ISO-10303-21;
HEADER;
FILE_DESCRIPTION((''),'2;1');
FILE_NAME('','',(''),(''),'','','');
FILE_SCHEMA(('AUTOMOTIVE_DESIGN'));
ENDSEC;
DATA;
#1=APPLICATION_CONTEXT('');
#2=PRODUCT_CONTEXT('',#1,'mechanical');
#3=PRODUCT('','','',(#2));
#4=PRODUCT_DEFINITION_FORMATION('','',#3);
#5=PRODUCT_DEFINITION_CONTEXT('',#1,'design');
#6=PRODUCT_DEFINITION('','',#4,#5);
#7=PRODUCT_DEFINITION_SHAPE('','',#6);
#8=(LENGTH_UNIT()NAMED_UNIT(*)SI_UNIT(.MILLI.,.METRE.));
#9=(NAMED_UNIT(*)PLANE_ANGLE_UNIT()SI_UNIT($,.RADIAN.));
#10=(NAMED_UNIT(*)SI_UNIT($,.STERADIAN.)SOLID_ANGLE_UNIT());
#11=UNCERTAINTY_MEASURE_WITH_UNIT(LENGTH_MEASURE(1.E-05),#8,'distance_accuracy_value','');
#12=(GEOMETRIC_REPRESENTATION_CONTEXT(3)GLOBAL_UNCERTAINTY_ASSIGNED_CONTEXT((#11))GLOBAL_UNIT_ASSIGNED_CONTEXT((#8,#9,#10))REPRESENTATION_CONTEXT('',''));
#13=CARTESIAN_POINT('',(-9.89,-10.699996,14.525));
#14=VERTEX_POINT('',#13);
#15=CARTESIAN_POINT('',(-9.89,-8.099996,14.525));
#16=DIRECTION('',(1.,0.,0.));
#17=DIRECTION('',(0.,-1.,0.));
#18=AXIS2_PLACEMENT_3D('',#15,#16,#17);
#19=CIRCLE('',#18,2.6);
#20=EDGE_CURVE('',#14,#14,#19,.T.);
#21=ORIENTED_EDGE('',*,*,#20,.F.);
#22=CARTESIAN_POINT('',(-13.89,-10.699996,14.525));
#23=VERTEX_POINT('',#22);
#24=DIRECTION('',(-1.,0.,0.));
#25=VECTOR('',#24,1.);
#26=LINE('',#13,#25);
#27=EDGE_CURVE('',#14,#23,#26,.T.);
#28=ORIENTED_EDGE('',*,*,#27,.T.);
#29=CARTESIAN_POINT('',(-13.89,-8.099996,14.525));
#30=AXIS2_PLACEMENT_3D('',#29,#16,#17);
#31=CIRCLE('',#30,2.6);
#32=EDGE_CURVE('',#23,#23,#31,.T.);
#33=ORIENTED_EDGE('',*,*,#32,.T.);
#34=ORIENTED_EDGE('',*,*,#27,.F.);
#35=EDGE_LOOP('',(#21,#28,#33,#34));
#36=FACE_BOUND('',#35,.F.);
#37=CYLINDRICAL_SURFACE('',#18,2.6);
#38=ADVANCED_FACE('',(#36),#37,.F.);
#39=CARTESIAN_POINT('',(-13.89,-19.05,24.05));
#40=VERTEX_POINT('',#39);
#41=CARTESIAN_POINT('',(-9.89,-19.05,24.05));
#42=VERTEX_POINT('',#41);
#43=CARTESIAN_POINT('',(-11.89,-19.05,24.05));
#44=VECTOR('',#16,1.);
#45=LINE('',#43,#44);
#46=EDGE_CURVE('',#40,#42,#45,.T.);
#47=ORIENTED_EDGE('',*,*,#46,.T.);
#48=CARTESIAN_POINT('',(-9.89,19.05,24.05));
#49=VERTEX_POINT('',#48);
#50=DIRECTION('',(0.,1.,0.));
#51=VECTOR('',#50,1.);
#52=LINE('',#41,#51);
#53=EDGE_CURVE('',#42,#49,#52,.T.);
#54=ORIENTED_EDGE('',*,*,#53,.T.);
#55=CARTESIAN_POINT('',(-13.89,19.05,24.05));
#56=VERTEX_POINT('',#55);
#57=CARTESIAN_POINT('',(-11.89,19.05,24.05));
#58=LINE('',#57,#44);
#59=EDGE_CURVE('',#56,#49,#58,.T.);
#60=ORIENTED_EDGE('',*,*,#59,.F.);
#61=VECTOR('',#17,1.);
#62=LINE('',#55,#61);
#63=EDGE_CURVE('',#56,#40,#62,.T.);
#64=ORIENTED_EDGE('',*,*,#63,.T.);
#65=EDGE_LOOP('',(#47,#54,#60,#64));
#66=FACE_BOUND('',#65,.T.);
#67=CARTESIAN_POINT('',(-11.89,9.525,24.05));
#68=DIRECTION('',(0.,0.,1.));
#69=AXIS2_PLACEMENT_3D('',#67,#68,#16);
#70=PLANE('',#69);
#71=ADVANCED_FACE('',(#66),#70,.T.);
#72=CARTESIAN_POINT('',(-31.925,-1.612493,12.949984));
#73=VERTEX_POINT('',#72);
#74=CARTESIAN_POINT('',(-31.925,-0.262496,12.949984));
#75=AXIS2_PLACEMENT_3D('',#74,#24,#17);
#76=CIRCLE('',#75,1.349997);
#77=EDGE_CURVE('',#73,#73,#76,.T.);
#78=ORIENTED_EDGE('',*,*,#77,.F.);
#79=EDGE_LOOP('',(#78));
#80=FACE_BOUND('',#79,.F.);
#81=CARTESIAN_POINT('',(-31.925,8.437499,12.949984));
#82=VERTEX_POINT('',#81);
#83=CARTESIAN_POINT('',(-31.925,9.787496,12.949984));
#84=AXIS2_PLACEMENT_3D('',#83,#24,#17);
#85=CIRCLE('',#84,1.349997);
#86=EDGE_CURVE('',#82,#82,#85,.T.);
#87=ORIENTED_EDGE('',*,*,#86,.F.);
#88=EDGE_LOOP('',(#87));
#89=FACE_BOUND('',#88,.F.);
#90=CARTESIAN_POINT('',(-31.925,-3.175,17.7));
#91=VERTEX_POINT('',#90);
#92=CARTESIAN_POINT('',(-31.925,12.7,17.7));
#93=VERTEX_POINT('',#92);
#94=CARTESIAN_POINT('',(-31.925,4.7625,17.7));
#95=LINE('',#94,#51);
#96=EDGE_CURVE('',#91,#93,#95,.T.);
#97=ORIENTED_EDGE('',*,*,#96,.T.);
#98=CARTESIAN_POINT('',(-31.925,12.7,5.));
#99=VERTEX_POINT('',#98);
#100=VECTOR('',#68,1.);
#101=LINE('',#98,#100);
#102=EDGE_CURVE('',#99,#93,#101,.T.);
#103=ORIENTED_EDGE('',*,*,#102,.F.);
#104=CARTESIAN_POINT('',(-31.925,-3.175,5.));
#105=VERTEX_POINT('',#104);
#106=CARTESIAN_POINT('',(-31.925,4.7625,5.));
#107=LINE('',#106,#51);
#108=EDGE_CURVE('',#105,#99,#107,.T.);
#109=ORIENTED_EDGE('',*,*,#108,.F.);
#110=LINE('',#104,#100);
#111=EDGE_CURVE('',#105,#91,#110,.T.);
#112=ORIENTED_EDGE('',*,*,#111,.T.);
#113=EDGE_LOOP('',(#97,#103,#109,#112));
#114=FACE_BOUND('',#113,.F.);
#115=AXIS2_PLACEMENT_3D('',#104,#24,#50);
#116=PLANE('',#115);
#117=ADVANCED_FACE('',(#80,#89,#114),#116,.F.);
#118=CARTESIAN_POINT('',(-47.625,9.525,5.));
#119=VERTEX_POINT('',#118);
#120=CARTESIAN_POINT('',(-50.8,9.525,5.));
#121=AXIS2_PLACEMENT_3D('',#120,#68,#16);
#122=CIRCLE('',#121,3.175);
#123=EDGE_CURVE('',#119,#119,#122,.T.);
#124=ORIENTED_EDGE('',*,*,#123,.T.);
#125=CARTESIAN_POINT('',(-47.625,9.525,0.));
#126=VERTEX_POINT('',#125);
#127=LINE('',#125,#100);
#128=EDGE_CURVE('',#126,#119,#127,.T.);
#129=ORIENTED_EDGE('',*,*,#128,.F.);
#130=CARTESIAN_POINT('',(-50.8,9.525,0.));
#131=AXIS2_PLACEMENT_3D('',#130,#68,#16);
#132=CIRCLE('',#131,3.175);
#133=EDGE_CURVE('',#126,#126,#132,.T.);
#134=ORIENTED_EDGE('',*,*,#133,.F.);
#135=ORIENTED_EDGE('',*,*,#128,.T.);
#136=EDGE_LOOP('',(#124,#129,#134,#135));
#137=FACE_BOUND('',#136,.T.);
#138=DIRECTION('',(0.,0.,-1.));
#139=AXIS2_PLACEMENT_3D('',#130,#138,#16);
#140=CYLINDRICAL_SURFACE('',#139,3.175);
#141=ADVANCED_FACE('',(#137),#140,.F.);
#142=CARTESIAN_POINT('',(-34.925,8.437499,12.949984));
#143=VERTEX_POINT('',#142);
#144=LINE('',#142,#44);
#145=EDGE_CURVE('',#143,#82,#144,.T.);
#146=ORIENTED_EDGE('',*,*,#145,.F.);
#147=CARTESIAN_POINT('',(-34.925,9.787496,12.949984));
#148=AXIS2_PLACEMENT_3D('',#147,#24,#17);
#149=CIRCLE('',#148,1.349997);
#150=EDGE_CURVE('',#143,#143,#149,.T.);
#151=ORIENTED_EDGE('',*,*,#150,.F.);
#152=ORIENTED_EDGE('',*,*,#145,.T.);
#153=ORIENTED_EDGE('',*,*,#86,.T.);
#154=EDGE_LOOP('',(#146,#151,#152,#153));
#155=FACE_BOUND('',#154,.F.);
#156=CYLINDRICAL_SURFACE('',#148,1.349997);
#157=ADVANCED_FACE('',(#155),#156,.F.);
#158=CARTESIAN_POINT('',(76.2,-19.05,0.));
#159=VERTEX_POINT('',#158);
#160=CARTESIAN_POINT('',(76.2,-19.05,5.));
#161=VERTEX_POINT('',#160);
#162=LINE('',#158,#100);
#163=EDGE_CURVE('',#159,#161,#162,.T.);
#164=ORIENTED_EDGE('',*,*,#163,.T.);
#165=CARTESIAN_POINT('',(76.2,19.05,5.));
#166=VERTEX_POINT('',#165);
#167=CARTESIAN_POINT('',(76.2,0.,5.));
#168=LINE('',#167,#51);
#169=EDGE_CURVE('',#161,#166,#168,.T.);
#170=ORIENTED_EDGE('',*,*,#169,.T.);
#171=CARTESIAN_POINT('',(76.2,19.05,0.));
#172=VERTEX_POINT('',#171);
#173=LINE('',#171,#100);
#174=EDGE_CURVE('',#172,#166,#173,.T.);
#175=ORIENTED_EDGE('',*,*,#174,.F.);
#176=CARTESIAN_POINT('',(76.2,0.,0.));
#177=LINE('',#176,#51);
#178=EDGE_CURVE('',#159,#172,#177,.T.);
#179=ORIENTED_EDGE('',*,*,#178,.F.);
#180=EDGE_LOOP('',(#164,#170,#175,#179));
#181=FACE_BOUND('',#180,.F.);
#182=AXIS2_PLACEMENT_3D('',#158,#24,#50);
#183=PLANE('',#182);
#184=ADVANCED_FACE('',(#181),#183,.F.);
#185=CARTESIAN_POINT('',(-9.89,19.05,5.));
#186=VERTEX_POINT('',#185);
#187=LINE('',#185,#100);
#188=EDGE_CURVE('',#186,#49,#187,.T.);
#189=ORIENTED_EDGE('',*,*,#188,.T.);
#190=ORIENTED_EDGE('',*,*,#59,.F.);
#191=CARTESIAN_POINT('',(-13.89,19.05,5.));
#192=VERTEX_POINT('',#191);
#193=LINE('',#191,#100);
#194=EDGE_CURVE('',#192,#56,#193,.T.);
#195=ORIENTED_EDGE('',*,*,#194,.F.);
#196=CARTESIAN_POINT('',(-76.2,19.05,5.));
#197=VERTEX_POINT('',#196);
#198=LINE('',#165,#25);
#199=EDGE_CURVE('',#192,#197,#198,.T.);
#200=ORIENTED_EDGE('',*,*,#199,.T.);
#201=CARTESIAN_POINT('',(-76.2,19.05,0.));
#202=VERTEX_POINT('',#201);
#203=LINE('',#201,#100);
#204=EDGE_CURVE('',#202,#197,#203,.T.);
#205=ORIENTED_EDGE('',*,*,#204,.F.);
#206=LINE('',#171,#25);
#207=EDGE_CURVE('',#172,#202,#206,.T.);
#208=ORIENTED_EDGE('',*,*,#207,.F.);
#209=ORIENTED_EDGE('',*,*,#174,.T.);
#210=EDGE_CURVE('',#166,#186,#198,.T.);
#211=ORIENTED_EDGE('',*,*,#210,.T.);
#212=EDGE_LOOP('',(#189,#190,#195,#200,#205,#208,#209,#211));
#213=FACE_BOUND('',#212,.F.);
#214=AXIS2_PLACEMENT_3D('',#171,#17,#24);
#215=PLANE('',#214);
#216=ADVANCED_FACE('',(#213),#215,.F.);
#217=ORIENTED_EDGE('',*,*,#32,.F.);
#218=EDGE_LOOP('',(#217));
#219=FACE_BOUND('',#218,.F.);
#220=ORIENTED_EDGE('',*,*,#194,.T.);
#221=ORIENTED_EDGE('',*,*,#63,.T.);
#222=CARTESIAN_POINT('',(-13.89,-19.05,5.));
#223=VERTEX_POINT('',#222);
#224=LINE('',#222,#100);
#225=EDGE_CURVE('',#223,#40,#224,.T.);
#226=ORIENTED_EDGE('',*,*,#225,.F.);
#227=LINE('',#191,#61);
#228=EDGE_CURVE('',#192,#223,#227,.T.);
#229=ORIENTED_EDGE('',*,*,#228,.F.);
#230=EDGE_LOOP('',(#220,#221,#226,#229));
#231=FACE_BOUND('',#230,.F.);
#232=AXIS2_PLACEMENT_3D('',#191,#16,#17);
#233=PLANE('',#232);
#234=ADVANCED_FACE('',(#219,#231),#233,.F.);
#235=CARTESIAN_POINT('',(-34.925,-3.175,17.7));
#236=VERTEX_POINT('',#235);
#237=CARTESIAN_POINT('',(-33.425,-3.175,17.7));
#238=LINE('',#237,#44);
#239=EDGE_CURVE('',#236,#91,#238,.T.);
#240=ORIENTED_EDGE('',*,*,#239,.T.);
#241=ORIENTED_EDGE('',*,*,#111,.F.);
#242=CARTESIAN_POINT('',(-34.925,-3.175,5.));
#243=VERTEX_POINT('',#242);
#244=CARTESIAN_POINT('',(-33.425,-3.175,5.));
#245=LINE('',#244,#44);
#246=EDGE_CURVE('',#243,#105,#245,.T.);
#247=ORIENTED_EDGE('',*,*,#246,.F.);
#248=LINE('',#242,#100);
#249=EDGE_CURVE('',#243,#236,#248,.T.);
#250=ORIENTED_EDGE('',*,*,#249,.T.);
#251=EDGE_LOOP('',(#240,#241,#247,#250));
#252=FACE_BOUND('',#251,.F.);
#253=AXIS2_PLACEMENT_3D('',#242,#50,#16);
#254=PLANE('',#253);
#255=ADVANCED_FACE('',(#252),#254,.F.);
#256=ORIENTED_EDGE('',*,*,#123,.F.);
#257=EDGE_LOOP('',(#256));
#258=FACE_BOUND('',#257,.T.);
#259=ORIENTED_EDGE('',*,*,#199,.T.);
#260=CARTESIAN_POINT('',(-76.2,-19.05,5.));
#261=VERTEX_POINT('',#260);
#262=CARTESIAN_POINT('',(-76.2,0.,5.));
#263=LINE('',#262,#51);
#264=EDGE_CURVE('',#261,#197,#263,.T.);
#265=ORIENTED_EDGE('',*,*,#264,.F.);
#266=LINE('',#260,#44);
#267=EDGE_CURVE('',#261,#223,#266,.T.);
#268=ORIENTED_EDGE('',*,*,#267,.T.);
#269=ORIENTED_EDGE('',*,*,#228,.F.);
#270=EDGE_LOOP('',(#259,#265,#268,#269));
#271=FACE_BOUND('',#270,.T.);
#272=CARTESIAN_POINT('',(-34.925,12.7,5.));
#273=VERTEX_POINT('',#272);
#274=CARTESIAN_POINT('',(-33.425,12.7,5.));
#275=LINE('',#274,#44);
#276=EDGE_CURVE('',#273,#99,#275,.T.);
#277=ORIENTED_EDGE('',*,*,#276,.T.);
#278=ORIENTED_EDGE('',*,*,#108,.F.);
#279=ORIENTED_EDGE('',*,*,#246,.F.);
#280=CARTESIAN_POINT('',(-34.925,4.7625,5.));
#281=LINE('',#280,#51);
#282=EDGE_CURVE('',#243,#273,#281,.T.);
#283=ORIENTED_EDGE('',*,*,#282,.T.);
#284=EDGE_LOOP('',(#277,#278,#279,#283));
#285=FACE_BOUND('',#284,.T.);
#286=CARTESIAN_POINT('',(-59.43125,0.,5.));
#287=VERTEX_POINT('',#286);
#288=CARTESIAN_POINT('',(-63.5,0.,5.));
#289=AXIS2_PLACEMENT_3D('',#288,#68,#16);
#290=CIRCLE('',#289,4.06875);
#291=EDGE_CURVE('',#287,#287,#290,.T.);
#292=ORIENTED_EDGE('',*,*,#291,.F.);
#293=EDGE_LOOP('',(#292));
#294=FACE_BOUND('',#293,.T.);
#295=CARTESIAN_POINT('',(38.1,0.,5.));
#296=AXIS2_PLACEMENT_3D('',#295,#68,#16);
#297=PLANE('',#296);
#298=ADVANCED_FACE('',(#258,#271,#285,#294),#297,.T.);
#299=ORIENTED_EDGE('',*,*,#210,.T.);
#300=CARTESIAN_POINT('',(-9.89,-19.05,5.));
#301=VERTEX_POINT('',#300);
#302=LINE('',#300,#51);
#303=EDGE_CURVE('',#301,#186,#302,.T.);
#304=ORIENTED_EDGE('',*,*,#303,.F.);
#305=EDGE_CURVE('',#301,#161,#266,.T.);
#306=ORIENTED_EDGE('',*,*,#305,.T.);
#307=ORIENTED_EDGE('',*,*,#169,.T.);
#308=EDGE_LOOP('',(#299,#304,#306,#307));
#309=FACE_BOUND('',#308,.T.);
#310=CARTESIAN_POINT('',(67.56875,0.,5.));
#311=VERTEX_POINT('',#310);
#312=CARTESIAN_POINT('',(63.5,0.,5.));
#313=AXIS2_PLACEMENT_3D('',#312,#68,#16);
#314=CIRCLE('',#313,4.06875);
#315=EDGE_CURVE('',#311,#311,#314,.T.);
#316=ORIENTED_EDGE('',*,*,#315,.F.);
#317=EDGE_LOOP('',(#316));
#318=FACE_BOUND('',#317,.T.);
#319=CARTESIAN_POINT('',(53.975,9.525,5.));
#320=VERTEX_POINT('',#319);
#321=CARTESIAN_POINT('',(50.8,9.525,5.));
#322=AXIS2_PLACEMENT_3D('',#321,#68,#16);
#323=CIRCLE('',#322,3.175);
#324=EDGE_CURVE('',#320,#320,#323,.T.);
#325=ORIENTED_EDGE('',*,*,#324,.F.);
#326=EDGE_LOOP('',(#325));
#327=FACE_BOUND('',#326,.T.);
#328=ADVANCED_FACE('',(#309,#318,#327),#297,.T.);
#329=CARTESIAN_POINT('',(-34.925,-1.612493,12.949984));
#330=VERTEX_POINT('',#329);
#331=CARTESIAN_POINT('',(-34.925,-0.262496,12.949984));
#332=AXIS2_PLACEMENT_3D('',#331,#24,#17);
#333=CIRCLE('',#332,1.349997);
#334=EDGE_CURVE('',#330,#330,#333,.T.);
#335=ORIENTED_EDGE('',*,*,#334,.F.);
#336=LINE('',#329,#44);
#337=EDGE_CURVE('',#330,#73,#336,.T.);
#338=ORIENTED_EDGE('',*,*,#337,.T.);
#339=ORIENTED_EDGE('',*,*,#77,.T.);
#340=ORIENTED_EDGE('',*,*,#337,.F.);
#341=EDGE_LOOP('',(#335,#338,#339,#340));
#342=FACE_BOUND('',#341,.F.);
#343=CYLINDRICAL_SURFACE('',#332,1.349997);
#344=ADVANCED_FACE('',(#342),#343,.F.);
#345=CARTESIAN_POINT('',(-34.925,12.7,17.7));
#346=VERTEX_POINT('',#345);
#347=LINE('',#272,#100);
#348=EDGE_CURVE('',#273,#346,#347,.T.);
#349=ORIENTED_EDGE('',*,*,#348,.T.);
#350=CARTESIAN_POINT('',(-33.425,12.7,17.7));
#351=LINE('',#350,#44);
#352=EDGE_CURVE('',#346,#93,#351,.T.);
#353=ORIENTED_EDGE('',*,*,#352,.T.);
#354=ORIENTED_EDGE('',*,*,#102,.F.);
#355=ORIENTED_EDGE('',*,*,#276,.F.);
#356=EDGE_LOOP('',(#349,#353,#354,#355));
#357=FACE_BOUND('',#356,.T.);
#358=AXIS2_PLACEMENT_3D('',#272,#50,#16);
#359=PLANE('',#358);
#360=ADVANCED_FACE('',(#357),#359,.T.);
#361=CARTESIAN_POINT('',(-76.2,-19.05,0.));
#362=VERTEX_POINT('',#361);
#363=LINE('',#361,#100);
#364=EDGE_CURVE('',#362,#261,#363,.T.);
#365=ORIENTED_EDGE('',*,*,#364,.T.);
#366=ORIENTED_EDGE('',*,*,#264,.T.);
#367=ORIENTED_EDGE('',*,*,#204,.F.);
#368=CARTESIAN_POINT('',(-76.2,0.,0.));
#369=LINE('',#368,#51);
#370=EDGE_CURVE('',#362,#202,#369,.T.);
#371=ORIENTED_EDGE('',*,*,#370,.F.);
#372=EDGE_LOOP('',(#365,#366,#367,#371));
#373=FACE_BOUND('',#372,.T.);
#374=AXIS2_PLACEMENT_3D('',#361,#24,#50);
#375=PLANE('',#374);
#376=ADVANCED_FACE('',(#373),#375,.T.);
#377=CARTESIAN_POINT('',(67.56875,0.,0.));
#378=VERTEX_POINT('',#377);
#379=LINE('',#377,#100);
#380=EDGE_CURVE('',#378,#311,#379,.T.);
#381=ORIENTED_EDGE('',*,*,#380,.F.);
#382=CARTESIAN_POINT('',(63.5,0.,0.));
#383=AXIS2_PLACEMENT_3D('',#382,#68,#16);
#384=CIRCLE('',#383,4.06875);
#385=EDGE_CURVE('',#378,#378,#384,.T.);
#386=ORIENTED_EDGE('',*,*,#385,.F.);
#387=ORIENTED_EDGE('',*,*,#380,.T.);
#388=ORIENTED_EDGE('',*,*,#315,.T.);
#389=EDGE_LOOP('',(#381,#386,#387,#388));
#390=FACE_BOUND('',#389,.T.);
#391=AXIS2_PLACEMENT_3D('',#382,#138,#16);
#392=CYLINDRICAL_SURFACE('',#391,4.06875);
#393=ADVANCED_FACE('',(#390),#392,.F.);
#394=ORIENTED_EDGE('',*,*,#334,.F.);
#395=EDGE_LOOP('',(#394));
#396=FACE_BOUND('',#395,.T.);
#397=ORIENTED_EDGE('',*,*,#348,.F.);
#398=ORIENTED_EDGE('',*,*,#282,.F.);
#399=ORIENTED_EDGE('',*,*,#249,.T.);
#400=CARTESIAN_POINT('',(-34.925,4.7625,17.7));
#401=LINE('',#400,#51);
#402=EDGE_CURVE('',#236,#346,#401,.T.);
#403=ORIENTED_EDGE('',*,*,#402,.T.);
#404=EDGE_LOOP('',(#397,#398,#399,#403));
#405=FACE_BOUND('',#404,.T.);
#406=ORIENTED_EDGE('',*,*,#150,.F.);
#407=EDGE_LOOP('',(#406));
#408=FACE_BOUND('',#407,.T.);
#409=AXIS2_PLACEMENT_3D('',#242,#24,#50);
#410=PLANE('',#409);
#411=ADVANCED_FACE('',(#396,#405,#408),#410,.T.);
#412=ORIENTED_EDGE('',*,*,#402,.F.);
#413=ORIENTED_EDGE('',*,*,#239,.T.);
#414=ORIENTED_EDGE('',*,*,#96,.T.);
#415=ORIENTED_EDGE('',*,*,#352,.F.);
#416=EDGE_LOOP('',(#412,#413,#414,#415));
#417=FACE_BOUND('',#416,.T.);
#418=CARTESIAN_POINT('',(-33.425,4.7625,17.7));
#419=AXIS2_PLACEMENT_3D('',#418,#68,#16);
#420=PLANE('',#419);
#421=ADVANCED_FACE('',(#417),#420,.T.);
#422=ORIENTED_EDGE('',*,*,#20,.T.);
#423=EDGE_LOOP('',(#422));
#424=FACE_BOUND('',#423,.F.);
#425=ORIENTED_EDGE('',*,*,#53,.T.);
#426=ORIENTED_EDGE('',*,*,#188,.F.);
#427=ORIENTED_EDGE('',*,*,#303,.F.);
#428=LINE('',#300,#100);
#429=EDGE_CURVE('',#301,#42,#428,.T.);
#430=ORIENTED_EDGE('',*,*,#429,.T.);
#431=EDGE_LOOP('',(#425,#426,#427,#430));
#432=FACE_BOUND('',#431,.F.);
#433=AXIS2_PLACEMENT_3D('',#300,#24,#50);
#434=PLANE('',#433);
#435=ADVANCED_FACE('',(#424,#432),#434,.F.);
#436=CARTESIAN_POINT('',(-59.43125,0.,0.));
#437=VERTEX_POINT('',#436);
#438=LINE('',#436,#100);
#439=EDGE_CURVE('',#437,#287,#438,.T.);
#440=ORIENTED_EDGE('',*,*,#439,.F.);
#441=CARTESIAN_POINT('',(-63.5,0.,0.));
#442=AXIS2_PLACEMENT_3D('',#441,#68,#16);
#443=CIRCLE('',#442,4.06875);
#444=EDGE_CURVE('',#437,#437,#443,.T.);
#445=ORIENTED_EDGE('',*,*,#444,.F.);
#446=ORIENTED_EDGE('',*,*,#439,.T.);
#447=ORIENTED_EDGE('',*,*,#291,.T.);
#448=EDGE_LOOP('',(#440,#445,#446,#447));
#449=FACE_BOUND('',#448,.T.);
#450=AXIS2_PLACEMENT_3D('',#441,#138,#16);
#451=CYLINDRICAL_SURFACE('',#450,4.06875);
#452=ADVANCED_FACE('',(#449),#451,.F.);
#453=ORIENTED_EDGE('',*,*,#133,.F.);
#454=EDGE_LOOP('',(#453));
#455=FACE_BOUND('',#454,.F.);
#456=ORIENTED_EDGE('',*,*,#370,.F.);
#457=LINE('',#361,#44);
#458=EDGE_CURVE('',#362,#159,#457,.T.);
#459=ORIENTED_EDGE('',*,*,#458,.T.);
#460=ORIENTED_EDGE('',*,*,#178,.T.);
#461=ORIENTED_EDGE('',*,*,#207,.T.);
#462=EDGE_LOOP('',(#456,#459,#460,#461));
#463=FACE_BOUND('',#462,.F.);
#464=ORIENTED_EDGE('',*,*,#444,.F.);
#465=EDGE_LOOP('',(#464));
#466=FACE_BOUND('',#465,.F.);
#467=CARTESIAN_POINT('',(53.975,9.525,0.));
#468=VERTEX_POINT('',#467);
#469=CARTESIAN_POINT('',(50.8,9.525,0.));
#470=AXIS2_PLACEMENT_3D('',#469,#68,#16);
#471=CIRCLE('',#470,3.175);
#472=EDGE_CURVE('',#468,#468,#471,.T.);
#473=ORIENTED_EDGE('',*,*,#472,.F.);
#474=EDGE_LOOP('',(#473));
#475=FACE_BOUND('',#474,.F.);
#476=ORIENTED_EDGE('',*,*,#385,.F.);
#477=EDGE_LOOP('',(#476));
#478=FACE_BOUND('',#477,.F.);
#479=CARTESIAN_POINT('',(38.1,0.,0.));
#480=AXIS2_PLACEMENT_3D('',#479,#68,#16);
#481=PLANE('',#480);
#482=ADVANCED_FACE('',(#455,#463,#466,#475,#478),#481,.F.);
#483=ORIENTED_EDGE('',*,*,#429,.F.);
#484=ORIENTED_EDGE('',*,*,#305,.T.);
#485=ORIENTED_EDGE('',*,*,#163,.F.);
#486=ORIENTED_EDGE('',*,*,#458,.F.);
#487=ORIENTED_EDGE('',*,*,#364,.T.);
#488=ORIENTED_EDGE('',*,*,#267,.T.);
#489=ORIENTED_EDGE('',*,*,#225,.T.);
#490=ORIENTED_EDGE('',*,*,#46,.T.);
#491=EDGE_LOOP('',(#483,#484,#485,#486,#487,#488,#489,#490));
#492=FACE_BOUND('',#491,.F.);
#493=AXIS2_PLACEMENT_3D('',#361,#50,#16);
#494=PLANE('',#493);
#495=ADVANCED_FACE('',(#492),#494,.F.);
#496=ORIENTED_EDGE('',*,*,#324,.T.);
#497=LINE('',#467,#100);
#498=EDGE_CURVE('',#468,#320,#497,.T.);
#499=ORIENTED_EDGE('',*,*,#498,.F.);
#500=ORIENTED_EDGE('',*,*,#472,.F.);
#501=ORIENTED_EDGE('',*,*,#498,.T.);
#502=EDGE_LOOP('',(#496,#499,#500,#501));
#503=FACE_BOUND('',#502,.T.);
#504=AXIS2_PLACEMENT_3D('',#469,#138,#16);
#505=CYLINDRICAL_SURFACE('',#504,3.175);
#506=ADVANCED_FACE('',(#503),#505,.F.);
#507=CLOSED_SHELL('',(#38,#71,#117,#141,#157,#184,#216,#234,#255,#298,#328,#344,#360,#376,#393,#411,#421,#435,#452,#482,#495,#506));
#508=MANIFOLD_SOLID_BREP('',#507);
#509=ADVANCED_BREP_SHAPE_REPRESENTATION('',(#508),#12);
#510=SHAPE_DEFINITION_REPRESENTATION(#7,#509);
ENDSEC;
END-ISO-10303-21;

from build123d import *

# Parameters (mm, degrees)
F0_W     = 76.2
F0_H     = 38.1
F0_R     = 4.06875
F0_R_2   = 3.175
F1_DEPTH = 5
F2_W     = 4
F2_H     = 19.05
F3_DEPTH = 19.05
F4_W     = 3
F4_H     = 15.875
F5_DEPTH = 12.7
F7_DEPTH = 4
F8_R     = 1.349997
F9_DEPTH = 3


with BuildPart() as f1:
    # F0 (on Top) → F1 (new body)
    with BuildSketch(Plane.XY):
        with Locations((38.1, 0)):
            Rectangle(F0_W, F0_H)
        with Locations((63.5, 0)):
            Circle(F0_R, mode=Mode.SUBTRACT)
        with Locations((50.8, 9.525)):
            Circle(F0_R_2, mode=Mode.SUBTRACT)
        with Locations((-38.1, 0)):
            Rectangle(F0_W, F0_H)
        with Locations((-63.5, 0)):
            Circle(F0_R, mode=Mode.SUBTRACT)
        with Locations((-50.8, 9.525)):
            Circle(F0_R_2, mode=Mode.SUBTRACT)
    extrude(amount=F1_DEPTH)

    # F2 (on face) → F3 (join)
    with BuildSketch(Plane.XY.offset(5)):
        with Locations((-11.89, 9.525)):
            Rectangle(F2_W, F2_H)
        with Locations((-11.89, -9.525)):
            Rectangle(F2_W, F2_H)
    extrude(amount=F3_DEPTH)

    # F4 (on face) → F5 (join)
    with BuildSketch(Plane.XY.offset(5)):
        with Locations((-33.425, 4.7625)):
            Rectangle(F4_W, F4_H)
    extrude(amount=F5_DEPTH)

    # F6 (on face) → F7 (cut, through all)
    with BuildSketch(Plane.YZ.offset(-9.89)):
        with BuildLine():
            Line((-8.099996, 14.525), (-5.499996, 14.525))
            ThreePointArc((-5.499996, 14.525), (-8.099996, 17.125), (-10.699996, 14.525))
            Line((-10.699996, 14.525), (-8.099996, 14.525))
        make_face()
        with BuildLine():
            ThreePointArc((-10.699996, 14.525), (-8.099996, 11.925), (-5.499996, 14.525))
            Line((-5.499996, 14.525), (-8.099996, 14.525))
            Line((-8.099996, 14.525), (-10.699996, 14.525))
        make_face()
    extrude(amount=-F7_DEPTH, mode=Mode.SUBTRACT)

    # F8 (on face) → F9 (cut, through all)
    with BuildSketch(Plane(origin=(-34.925, 0, 0), x_dir=(0, -1, 0), z_dir=(-1, 0, 0))):
        with Locations((-9.787496, 12.949984)):
            Circle(F8_R)
        with Locations((0.262496, 12.949984)):
            Circle(F8_R)
    extrude(amount=-F9_DEPTH, mode=Mode.SUBTRACT)


solid = f1.part
